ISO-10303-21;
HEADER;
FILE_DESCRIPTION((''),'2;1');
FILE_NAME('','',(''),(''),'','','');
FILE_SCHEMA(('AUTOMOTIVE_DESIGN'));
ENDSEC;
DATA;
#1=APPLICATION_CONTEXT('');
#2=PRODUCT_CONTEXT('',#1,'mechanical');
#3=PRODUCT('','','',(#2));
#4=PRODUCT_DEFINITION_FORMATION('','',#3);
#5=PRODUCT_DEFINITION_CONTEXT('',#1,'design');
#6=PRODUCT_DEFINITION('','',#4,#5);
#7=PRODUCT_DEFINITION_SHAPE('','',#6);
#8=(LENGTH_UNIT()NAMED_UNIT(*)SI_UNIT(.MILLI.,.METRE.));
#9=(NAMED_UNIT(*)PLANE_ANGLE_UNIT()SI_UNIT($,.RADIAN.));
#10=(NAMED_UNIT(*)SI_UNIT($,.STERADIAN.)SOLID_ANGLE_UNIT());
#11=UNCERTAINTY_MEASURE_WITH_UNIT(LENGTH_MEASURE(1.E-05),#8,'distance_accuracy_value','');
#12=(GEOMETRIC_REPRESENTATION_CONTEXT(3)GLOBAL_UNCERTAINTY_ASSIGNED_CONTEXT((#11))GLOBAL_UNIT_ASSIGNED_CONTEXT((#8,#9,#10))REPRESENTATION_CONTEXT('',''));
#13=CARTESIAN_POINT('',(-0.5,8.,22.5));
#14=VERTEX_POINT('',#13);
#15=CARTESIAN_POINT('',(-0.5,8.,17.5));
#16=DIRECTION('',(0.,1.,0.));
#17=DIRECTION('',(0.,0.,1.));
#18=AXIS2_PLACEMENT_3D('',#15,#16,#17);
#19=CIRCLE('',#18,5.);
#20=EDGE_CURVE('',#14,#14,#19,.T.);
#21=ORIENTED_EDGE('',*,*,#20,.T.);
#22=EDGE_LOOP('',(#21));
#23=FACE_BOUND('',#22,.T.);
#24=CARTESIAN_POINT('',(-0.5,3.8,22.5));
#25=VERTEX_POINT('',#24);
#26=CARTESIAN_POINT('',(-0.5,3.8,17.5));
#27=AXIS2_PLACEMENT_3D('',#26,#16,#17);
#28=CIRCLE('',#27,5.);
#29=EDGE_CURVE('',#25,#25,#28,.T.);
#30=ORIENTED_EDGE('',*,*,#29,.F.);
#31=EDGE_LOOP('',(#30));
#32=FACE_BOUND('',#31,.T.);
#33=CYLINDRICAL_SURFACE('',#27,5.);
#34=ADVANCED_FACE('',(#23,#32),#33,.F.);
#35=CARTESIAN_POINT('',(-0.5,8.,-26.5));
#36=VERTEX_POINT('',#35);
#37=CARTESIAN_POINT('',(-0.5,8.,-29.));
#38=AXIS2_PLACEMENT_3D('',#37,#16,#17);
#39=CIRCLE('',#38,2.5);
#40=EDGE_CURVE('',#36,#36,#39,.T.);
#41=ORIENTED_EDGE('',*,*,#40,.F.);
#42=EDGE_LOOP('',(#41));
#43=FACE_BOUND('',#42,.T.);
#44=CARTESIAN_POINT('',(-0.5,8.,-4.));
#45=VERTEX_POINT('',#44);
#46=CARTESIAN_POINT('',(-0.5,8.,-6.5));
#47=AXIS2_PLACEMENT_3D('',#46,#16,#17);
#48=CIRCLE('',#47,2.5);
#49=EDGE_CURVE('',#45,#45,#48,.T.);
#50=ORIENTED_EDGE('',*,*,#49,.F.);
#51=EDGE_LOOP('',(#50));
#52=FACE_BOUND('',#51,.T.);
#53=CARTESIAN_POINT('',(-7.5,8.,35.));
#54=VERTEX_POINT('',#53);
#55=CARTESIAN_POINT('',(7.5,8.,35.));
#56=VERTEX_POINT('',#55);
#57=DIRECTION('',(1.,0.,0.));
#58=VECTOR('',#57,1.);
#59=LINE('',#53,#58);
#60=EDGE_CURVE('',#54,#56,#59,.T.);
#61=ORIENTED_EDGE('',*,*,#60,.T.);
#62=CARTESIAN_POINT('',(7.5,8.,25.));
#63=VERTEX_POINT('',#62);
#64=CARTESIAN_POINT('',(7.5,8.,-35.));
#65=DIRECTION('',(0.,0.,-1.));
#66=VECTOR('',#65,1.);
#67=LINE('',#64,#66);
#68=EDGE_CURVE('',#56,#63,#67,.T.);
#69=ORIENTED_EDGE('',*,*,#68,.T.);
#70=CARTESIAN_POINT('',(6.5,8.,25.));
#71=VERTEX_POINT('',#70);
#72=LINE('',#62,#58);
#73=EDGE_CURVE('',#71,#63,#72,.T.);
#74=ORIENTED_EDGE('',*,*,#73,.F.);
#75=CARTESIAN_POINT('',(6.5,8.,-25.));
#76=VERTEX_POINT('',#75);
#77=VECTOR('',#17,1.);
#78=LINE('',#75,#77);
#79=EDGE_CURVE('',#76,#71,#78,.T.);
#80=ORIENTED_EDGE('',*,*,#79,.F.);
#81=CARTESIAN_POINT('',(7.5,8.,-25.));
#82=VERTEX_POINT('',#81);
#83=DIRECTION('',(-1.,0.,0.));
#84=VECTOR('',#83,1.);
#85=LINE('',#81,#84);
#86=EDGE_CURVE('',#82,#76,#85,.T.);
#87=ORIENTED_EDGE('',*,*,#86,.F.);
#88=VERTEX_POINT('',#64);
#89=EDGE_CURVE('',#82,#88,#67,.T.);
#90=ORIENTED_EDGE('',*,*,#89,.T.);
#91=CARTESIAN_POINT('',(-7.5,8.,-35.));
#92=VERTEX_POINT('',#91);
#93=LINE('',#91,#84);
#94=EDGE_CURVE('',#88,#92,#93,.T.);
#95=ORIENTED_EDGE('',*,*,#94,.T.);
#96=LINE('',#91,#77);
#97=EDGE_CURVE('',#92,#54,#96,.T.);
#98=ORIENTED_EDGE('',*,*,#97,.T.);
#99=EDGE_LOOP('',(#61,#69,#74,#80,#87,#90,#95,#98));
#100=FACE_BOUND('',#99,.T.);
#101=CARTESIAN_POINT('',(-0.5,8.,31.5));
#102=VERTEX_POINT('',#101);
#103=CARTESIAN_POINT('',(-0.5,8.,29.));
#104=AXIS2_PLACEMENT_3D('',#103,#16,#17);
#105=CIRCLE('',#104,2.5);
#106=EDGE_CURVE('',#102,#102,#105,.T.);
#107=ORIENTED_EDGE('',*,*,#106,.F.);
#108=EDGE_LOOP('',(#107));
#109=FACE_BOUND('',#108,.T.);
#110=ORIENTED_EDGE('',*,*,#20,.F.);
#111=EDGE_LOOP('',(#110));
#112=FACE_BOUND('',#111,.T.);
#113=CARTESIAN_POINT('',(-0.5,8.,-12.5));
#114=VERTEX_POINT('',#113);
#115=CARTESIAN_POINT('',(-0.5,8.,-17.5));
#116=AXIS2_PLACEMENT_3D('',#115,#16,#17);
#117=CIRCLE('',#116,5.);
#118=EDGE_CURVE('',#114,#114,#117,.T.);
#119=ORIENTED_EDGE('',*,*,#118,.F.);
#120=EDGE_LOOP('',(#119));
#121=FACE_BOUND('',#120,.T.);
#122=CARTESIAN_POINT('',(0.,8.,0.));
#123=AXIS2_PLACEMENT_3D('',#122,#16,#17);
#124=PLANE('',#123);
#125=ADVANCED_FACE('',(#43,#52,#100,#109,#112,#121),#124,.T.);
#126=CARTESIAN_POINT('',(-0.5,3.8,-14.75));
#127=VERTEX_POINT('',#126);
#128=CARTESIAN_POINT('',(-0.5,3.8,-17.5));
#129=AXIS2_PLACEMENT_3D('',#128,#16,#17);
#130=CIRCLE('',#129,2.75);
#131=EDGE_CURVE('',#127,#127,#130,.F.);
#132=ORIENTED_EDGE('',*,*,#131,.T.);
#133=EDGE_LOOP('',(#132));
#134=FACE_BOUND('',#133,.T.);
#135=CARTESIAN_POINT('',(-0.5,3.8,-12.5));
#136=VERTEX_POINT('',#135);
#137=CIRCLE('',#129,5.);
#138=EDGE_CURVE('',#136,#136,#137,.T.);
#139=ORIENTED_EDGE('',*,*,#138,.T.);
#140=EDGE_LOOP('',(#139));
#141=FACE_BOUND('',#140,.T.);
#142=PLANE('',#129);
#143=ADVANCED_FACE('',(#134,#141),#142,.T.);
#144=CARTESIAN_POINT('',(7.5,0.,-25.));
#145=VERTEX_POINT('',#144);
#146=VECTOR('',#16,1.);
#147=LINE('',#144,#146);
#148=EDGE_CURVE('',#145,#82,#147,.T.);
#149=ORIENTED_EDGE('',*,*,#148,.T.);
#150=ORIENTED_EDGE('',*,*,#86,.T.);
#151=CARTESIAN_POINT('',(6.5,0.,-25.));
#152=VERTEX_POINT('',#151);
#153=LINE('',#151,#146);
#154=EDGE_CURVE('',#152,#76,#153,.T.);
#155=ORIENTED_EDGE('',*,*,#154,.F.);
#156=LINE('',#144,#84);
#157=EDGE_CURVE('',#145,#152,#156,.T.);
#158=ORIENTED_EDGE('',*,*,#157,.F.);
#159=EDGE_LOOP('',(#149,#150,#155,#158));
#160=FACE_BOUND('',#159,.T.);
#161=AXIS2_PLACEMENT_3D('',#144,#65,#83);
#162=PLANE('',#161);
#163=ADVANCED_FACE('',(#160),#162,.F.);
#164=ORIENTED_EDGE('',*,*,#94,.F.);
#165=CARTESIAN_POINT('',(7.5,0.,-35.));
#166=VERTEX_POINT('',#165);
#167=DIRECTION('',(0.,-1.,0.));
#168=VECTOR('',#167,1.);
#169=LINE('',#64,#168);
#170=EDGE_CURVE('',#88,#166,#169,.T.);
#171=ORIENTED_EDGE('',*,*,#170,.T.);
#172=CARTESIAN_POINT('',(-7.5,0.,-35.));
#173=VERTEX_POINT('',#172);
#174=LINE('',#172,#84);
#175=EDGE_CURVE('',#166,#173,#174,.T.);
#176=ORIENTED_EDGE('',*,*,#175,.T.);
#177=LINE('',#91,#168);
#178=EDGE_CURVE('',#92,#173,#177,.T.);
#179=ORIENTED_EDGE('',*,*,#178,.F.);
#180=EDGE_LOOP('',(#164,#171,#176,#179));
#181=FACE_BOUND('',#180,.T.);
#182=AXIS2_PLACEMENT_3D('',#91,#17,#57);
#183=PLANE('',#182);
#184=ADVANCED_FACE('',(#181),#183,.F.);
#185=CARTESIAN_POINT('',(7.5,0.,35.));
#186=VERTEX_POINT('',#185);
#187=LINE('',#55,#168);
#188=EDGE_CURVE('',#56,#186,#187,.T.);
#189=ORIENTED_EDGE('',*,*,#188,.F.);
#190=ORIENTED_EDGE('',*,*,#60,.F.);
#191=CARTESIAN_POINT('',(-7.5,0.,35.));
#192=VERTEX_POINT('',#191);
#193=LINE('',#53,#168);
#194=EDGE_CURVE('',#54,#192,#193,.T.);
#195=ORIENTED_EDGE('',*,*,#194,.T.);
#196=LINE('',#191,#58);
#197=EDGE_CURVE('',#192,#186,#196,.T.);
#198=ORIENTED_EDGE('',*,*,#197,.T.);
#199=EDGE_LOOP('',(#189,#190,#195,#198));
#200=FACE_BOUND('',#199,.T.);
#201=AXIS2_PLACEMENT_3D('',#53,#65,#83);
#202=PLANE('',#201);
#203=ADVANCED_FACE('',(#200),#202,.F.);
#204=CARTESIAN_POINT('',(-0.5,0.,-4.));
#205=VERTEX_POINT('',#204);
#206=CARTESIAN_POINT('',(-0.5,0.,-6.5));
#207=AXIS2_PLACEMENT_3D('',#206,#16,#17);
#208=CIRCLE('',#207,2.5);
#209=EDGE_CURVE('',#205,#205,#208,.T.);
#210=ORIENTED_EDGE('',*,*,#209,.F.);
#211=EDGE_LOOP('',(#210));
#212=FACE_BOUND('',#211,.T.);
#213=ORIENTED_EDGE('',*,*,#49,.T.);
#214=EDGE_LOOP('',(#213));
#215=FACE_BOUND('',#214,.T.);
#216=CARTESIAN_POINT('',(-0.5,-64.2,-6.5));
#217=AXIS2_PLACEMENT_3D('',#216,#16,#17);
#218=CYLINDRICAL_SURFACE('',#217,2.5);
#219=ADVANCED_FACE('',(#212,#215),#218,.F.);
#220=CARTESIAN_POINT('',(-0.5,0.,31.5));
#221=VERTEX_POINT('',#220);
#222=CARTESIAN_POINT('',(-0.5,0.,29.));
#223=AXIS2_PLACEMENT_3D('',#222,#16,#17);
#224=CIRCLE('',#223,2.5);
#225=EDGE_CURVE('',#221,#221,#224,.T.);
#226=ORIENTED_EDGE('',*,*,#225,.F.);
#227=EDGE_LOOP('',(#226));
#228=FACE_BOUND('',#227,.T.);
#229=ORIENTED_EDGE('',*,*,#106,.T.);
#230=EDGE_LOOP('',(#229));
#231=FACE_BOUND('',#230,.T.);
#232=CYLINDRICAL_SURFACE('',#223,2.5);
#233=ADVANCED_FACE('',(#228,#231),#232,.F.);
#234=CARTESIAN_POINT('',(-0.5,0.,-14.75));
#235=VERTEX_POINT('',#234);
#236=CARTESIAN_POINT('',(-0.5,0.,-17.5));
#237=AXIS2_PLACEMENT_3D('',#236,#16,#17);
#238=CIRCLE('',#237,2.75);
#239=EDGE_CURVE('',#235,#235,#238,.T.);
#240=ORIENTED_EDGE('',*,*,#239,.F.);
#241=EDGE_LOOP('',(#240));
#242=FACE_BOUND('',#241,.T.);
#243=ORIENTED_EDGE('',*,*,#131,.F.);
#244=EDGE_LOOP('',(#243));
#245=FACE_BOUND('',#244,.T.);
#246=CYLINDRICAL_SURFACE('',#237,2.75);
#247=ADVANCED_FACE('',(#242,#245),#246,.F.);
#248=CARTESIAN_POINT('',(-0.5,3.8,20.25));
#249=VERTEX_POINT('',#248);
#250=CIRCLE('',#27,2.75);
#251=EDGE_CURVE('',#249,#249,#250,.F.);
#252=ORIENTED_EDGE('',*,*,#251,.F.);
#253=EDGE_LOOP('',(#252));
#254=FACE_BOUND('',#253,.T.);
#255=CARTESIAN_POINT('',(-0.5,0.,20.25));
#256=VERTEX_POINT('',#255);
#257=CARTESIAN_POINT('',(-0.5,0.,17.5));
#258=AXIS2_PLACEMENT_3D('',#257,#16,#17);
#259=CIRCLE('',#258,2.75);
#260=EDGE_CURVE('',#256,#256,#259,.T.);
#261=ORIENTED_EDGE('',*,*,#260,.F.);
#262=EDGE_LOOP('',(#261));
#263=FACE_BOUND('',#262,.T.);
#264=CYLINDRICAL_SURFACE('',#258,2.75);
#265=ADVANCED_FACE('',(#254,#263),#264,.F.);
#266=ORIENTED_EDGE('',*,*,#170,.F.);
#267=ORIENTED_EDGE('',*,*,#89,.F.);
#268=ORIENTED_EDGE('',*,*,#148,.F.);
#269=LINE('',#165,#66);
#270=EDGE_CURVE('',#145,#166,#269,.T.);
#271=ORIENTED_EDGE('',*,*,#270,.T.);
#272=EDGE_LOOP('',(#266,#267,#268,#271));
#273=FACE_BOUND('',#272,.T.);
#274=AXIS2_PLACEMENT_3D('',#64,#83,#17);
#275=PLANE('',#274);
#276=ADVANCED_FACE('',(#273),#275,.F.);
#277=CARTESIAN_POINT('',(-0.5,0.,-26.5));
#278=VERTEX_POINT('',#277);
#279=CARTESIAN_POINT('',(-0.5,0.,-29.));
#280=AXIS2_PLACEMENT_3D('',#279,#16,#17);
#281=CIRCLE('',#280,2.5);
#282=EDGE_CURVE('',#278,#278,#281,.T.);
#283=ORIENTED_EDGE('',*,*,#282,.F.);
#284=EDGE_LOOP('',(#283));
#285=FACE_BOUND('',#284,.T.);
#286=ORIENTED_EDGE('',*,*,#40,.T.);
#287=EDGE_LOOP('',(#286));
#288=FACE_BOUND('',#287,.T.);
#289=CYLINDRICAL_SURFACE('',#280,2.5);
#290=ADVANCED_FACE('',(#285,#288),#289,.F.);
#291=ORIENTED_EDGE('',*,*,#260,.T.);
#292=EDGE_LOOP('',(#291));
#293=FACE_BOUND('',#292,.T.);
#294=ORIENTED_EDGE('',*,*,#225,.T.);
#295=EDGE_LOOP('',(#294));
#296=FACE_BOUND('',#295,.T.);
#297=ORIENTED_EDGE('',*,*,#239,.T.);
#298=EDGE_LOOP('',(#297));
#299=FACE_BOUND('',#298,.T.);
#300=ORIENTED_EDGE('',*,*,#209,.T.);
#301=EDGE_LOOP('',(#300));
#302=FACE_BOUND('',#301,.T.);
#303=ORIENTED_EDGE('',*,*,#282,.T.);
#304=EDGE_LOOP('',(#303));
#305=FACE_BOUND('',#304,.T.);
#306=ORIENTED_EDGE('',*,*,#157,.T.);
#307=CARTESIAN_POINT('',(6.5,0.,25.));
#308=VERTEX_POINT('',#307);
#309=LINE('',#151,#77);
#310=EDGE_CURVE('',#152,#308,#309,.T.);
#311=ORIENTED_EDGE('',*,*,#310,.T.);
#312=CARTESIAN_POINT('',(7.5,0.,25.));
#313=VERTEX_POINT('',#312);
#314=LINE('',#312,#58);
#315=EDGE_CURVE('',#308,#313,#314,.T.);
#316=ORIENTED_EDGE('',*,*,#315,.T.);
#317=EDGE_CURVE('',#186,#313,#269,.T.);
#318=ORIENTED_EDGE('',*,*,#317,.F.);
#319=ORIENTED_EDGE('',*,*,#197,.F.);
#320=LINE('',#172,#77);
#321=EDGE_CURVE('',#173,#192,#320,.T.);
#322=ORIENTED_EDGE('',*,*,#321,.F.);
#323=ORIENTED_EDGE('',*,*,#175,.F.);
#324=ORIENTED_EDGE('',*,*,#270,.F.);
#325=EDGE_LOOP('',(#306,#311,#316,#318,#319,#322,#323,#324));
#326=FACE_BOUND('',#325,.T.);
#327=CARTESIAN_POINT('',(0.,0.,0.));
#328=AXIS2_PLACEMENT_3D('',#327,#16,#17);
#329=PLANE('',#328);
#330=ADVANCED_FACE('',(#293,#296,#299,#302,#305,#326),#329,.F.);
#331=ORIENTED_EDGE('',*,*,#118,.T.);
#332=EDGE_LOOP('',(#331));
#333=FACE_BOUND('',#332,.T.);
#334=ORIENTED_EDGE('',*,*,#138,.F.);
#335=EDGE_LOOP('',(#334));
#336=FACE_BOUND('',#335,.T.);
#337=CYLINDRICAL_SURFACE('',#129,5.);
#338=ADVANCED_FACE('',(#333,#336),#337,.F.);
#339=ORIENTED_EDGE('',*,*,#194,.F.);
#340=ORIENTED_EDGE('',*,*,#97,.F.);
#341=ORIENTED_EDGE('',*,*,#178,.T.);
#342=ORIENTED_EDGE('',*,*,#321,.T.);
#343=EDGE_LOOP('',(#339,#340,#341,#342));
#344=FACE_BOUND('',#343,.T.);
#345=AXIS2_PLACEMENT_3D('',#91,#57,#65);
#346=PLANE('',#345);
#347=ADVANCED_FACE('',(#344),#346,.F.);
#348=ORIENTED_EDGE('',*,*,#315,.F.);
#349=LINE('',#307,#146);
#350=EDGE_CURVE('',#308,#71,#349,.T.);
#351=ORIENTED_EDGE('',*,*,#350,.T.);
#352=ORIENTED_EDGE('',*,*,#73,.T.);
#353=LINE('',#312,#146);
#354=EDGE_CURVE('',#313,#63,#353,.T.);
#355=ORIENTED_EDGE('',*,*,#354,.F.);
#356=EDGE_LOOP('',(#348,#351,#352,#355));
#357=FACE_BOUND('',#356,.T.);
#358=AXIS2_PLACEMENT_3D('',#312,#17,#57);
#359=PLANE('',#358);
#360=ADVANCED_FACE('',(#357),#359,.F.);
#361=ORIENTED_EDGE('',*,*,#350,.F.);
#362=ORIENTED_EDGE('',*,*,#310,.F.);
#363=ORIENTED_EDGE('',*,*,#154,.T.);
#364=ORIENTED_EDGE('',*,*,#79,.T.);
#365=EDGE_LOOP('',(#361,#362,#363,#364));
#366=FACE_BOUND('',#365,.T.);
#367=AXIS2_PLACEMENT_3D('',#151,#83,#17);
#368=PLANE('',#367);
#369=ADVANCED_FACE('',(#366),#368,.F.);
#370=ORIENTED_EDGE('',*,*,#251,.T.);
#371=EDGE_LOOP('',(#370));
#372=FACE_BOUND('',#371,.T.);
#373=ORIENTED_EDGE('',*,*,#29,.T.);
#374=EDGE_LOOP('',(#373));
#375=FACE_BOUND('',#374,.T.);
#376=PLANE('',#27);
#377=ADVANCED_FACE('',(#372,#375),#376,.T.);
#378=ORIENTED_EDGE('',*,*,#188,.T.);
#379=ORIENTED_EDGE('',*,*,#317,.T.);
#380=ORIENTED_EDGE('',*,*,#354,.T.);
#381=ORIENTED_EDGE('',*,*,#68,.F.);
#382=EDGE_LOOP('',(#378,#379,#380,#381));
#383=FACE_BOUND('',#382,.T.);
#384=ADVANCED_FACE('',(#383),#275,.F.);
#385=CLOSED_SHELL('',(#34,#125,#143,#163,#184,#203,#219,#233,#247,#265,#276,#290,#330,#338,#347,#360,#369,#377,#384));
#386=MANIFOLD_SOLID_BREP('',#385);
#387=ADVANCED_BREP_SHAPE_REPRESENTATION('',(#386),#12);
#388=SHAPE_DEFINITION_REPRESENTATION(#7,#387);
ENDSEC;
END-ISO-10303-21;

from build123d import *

# Parameters (mm, degrees)
SKETCH1_W           = 15
SKETCH1_H           = 70
BOSS_EXTRUDE1_DEPTH = 8
SKETCH2_W           = 1
SKETCH2_H           = 50
CUT_EXTRUDE1_DEPTH  = 8
SKETCH3_R           = 2.5
CUT_EXTRUDE2_DEPTH  = 8
SKETCH4_R           = 2.75
CUT_EXTRUDE3_DEPTH  = 8
SKETCH5_R           = 5
CUT_EXTRUDE4_DEPTH  = 4.2
SKETCH6_R           = 2.5
CUT_EXTRUDE5_DEPTH  = 72.2


with BuildPart() as part:
    # Sketch1 → Boss-Extrude1 (new body)
    with BuildSketch(Plane(origin=(0, 0, 0), x_dir=(1, 0, 0), z_dir=(0, 1, 0))):
        Rectangle(SKETCH1_W, SKETCH1_H)
    extrude(amount=BOSS_EXTRUDE1_DEPTH)

    # Sketch2 → Cut-Extrude1 (cut)
    with BuildSketch(Plane(origin=(0, 8, 0), x_dir=(1, 0, 0), z_dir=(0, 1, 0))):
        with Locations((7, 0)):
            Rectangle(SKETCH2_W, SKETCH2_H)
    extrude(amount=-CUT_EXTRUDE1_DEPTH, mode=Mode.SUBTRACT)

    # Sketch3 → Cut-Extrude2 (cut)
    with BuildSketch(Plane(origin=(0, 8, 0), x_dir=(1, 0, 0), z_dir=(0, 1, 0))):
        with Locations((-0.5, -29)):
            Circle(SKETCH3_R)
        with Locations((-0.5, 29)):
            Circle(SKETCH3_R)
    extrude(amount=-CUT_EXTRUDE2_DEPTH, mode=Mode.SUBTRACT)

    # Sketch4 → Cut-Extrude3 (cut)
    with BuildSketch(Plane(origin=(0, 8, 0), x_dir=(1, 0, 0), z_dir=(0, 1, 0))):
        with Locations((-0.5, -17.5)):
            Circle(SKETCH4_R)
        with Locations((-0.5, 17.5)):
            Circle(SKETCH4_R)
    extrude(amount=-CUT_EXTRUDE3_DEPTH, mode=Mode.SUBTRACT)

    # Sketch5 → Cut-Extrude4 (cut)
    with BuildSketch(Plane(origin=(0, 8, 0), x_dir=(1, 0, 0), z_dir=(0, 1, 0))):
        with Locations((-0.5, 17.5)):
            Circle(SKETCH5_R)
        with Locations((-0.5, -17.5)):
            Circle(SKETCH5_R)
    extrude(amount=-CUT_EXTRUDE4_DEPTH, mode=Mode.SUBTRACT)

    # Sketch6 → Cut-Extrude5 (cut)
    with BuildSketch(Plane(origin=(0, 8, 0), x_dir=(1, 0, 0), z_dir=(0, 1, 0))):
        with Locations((-0.5, 6.5)):
            Circle(SKETCH6_R)
    extrude(amount=-CUT_EXTRUDE5_DEPTH, mode=Mode.SUBTRACT)


solid = part.part
